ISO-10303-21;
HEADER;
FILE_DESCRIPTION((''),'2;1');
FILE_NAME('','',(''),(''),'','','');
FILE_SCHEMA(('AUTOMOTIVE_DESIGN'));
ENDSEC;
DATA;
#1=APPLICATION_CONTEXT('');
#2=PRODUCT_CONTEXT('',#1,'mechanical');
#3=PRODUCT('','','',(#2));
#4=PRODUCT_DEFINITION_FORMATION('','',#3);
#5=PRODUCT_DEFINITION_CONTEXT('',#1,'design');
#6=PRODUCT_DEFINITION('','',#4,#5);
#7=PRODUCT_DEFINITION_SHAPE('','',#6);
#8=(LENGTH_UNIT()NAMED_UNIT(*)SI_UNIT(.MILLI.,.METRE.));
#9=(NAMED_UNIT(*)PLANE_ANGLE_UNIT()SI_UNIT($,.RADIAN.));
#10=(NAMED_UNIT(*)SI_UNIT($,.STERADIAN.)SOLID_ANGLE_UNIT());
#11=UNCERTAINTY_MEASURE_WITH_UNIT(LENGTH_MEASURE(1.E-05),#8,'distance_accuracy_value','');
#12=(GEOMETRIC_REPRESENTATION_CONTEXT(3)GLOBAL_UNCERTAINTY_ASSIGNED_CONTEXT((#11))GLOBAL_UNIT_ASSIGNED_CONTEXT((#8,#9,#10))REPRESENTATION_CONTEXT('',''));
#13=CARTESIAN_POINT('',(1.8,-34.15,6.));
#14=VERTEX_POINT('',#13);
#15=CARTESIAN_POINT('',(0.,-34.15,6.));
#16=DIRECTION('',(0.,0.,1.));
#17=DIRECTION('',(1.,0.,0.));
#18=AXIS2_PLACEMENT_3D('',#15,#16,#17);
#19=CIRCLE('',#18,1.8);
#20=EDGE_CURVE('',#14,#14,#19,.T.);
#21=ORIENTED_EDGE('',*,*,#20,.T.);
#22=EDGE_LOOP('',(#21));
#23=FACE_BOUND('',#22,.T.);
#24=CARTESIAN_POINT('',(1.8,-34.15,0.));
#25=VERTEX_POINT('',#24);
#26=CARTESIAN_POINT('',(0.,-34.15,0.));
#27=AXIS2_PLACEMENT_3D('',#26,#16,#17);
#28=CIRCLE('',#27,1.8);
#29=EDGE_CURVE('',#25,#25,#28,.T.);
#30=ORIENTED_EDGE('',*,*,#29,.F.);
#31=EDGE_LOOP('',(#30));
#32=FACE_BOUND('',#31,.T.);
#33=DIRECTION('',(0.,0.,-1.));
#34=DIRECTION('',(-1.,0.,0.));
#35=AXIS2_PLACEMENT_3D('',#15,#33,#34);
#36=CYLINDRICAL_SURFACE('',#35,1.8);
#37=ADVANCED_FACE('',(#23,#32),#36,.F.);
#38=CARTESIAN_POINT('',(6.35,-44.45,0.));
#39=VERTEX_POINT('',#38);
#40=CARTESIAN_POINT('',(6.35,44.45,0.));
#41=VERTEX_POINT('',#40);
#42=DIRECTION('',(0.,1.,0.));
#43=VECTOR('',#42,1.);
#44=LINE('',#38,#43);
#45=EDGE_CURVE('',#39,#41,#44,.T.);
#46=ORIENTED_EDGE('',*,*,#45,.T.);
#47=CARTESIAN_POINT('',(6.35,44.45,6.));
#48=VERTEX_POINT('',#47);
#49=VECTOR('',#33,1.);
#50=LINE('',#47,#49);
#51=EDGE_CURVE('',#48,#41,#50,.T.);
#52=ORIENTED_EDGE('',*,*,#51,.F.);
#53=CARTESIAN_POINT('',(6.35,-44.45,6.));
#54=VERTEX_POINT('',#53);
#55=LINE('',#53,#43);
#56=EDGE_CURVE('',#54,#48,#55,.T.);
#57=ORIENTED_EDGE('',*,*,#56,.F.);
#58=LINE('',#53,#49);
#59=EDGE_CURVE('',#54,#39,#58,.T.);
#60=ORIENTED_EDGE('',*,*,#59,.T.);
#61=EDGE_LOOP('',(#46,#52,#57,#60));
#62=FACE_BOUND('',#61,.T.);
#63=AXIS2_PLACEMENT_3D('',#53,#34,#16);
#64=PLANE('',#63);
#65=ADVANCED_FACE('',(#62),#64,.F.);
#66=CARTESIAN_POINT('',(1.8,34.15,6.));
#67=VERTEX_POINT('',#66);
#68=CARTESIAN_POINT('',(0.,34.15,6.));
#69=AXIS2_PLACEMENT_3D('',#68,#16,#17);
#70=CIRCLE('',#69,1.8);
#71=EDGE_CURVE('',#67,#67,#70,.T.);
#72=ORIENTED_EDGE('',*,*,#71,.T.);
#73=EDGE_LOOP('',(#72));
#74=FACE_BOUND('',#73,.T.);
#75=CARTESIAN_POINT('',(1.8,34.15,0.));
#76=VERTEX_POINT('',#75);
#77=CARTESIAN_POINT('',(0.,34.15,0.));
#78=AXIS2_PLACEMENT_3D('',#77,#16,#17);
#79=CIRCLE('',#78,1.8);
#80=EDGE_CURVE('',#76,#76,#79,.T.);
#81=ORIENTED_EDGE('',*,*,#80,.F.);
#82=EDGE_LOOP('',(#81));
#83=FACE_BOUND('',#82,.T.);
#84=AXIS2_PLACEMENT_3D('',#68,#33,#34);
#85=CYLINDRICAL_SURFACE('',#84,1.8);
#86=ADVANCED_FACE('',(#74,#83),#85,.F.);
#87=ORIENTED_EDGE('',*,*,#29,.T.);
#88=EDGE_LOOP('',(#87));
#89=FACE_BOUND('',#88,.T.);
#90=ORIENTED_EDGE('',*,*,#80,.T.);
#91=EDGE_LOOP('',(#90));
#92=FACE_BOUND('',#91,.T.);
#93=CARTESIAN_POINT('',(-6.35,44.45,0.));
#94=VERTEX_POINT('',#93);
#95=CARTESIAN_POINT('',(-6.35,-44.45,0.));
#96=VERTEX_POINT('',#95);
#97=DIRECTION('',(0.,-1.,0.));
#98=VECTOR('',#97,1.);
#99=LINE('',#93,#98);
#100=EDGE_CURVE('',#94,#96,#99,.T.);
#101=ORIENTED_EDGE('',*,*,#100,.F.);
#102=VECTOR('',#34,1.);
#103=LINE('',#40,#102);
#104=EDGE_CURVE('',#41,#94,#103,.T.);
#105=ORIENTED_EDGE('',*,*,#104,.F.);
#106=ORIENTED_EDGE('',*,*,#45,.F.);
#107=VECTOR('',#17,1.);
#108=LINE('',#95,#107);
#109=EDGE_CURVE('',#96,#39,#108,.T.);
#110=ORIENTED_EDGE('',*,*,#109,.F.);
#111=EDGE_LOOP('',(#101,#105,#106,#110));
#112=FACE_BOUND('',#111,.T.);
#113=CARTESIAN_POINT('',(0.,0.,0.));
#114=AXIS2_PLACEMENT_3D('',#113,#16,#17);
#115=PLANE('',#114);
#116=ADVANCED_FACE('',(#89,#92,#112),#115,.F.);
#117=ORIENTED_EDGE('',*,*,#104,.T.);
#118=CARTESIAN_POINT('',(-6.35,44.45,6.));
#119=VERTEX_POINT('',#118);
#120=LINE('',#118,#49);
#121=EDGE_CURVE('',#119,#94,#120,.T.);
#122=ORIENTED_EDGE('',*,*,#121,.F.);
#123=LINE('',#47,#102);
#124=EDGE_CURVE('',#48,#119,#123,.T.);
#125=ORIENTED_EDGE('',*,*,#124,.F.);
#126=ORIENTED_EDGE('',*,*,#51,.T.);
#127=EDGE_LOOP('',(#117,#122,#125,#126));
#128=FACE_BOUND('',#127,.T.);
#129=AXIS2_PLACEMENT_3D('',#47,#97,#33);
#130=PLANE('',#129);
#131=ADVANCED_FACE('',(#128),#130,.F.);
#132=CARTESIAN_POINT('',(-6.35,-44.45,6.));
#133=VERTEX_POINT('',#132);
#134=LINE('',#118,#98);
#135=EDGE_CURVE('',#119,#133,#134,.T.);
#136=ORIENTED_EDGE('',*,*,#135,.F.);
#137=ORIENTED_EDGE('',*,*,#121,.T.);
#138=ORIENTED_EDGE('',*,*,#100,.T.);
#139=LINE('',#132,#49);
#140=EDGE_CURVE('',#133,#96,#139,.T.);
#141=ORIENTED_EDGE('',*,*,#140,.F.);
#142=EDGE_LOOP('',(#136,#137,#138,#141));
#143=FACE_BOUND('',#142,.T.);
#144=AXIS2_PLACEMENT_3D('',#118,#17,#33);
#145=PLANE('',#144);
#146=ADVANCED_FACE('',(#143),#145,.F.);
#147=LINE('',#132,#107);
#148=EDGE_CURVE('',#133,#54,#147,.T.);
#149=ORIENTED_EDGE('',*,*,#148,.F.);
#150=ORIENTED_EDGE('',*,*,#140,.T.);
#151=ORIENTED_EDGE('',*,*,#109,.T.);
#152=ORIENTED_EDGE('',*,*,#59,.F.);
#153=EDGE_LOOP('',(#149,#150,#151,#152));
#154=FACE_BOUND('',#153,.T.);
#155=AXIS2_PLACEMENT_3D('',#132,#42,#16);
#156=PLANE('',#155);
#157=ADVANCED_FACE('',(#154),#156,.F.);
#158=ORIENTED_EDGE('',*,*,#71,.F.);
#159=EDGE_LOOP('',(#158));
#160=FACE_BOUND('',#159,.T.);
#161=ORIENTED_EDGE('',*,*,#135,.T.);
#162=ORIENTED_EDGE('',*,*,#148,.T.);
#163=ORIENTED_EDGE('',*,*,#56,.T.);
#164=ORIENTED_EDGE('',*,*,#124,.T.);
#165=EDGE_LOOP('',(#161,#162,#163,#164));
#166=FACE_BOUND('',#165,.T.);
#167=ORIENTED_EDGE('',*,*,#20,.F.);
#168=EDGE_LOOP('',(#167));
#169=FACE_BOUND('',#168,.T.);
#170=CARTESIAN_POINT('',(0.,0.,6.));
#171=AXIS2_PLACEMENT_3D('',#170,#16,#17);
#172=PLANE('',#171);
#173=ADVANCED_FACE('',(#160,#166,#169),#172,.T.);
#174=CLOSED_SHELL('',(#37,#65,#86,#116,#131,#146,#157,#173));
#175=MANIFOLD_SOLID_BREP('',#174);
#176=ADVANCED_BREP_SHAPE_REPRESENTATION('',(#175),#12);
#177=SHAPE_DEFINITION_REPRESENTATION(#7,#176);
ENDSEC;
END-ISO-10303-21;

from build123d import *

# Parameters (mm, degrees)
SKETCH1_W           = 12.7
SKETCH1_H           = 88.9
SKETCH1_R           = 1.8
BOSS_EXTRUDE1_DEPTH = 6


with BuildPart() as part:
    # Sketch1 → Boss-Extrude1 (new body)
    with BuildSketch(Plane.XY):
        Rectangle(SKETCH1_W, SKETCH1_H)
        with Locations((0, 34.15)):
            Circle(SKETCH1_R, mode=Mode.SUBTRACT)
        with Locations((0, -34.15)):
            Circle(SKETCH1_R, mode=Mode.SUBTRACT)
    extrude(amount=BOSS_EXTRUDE1_DEPTH)


solid = part.part
